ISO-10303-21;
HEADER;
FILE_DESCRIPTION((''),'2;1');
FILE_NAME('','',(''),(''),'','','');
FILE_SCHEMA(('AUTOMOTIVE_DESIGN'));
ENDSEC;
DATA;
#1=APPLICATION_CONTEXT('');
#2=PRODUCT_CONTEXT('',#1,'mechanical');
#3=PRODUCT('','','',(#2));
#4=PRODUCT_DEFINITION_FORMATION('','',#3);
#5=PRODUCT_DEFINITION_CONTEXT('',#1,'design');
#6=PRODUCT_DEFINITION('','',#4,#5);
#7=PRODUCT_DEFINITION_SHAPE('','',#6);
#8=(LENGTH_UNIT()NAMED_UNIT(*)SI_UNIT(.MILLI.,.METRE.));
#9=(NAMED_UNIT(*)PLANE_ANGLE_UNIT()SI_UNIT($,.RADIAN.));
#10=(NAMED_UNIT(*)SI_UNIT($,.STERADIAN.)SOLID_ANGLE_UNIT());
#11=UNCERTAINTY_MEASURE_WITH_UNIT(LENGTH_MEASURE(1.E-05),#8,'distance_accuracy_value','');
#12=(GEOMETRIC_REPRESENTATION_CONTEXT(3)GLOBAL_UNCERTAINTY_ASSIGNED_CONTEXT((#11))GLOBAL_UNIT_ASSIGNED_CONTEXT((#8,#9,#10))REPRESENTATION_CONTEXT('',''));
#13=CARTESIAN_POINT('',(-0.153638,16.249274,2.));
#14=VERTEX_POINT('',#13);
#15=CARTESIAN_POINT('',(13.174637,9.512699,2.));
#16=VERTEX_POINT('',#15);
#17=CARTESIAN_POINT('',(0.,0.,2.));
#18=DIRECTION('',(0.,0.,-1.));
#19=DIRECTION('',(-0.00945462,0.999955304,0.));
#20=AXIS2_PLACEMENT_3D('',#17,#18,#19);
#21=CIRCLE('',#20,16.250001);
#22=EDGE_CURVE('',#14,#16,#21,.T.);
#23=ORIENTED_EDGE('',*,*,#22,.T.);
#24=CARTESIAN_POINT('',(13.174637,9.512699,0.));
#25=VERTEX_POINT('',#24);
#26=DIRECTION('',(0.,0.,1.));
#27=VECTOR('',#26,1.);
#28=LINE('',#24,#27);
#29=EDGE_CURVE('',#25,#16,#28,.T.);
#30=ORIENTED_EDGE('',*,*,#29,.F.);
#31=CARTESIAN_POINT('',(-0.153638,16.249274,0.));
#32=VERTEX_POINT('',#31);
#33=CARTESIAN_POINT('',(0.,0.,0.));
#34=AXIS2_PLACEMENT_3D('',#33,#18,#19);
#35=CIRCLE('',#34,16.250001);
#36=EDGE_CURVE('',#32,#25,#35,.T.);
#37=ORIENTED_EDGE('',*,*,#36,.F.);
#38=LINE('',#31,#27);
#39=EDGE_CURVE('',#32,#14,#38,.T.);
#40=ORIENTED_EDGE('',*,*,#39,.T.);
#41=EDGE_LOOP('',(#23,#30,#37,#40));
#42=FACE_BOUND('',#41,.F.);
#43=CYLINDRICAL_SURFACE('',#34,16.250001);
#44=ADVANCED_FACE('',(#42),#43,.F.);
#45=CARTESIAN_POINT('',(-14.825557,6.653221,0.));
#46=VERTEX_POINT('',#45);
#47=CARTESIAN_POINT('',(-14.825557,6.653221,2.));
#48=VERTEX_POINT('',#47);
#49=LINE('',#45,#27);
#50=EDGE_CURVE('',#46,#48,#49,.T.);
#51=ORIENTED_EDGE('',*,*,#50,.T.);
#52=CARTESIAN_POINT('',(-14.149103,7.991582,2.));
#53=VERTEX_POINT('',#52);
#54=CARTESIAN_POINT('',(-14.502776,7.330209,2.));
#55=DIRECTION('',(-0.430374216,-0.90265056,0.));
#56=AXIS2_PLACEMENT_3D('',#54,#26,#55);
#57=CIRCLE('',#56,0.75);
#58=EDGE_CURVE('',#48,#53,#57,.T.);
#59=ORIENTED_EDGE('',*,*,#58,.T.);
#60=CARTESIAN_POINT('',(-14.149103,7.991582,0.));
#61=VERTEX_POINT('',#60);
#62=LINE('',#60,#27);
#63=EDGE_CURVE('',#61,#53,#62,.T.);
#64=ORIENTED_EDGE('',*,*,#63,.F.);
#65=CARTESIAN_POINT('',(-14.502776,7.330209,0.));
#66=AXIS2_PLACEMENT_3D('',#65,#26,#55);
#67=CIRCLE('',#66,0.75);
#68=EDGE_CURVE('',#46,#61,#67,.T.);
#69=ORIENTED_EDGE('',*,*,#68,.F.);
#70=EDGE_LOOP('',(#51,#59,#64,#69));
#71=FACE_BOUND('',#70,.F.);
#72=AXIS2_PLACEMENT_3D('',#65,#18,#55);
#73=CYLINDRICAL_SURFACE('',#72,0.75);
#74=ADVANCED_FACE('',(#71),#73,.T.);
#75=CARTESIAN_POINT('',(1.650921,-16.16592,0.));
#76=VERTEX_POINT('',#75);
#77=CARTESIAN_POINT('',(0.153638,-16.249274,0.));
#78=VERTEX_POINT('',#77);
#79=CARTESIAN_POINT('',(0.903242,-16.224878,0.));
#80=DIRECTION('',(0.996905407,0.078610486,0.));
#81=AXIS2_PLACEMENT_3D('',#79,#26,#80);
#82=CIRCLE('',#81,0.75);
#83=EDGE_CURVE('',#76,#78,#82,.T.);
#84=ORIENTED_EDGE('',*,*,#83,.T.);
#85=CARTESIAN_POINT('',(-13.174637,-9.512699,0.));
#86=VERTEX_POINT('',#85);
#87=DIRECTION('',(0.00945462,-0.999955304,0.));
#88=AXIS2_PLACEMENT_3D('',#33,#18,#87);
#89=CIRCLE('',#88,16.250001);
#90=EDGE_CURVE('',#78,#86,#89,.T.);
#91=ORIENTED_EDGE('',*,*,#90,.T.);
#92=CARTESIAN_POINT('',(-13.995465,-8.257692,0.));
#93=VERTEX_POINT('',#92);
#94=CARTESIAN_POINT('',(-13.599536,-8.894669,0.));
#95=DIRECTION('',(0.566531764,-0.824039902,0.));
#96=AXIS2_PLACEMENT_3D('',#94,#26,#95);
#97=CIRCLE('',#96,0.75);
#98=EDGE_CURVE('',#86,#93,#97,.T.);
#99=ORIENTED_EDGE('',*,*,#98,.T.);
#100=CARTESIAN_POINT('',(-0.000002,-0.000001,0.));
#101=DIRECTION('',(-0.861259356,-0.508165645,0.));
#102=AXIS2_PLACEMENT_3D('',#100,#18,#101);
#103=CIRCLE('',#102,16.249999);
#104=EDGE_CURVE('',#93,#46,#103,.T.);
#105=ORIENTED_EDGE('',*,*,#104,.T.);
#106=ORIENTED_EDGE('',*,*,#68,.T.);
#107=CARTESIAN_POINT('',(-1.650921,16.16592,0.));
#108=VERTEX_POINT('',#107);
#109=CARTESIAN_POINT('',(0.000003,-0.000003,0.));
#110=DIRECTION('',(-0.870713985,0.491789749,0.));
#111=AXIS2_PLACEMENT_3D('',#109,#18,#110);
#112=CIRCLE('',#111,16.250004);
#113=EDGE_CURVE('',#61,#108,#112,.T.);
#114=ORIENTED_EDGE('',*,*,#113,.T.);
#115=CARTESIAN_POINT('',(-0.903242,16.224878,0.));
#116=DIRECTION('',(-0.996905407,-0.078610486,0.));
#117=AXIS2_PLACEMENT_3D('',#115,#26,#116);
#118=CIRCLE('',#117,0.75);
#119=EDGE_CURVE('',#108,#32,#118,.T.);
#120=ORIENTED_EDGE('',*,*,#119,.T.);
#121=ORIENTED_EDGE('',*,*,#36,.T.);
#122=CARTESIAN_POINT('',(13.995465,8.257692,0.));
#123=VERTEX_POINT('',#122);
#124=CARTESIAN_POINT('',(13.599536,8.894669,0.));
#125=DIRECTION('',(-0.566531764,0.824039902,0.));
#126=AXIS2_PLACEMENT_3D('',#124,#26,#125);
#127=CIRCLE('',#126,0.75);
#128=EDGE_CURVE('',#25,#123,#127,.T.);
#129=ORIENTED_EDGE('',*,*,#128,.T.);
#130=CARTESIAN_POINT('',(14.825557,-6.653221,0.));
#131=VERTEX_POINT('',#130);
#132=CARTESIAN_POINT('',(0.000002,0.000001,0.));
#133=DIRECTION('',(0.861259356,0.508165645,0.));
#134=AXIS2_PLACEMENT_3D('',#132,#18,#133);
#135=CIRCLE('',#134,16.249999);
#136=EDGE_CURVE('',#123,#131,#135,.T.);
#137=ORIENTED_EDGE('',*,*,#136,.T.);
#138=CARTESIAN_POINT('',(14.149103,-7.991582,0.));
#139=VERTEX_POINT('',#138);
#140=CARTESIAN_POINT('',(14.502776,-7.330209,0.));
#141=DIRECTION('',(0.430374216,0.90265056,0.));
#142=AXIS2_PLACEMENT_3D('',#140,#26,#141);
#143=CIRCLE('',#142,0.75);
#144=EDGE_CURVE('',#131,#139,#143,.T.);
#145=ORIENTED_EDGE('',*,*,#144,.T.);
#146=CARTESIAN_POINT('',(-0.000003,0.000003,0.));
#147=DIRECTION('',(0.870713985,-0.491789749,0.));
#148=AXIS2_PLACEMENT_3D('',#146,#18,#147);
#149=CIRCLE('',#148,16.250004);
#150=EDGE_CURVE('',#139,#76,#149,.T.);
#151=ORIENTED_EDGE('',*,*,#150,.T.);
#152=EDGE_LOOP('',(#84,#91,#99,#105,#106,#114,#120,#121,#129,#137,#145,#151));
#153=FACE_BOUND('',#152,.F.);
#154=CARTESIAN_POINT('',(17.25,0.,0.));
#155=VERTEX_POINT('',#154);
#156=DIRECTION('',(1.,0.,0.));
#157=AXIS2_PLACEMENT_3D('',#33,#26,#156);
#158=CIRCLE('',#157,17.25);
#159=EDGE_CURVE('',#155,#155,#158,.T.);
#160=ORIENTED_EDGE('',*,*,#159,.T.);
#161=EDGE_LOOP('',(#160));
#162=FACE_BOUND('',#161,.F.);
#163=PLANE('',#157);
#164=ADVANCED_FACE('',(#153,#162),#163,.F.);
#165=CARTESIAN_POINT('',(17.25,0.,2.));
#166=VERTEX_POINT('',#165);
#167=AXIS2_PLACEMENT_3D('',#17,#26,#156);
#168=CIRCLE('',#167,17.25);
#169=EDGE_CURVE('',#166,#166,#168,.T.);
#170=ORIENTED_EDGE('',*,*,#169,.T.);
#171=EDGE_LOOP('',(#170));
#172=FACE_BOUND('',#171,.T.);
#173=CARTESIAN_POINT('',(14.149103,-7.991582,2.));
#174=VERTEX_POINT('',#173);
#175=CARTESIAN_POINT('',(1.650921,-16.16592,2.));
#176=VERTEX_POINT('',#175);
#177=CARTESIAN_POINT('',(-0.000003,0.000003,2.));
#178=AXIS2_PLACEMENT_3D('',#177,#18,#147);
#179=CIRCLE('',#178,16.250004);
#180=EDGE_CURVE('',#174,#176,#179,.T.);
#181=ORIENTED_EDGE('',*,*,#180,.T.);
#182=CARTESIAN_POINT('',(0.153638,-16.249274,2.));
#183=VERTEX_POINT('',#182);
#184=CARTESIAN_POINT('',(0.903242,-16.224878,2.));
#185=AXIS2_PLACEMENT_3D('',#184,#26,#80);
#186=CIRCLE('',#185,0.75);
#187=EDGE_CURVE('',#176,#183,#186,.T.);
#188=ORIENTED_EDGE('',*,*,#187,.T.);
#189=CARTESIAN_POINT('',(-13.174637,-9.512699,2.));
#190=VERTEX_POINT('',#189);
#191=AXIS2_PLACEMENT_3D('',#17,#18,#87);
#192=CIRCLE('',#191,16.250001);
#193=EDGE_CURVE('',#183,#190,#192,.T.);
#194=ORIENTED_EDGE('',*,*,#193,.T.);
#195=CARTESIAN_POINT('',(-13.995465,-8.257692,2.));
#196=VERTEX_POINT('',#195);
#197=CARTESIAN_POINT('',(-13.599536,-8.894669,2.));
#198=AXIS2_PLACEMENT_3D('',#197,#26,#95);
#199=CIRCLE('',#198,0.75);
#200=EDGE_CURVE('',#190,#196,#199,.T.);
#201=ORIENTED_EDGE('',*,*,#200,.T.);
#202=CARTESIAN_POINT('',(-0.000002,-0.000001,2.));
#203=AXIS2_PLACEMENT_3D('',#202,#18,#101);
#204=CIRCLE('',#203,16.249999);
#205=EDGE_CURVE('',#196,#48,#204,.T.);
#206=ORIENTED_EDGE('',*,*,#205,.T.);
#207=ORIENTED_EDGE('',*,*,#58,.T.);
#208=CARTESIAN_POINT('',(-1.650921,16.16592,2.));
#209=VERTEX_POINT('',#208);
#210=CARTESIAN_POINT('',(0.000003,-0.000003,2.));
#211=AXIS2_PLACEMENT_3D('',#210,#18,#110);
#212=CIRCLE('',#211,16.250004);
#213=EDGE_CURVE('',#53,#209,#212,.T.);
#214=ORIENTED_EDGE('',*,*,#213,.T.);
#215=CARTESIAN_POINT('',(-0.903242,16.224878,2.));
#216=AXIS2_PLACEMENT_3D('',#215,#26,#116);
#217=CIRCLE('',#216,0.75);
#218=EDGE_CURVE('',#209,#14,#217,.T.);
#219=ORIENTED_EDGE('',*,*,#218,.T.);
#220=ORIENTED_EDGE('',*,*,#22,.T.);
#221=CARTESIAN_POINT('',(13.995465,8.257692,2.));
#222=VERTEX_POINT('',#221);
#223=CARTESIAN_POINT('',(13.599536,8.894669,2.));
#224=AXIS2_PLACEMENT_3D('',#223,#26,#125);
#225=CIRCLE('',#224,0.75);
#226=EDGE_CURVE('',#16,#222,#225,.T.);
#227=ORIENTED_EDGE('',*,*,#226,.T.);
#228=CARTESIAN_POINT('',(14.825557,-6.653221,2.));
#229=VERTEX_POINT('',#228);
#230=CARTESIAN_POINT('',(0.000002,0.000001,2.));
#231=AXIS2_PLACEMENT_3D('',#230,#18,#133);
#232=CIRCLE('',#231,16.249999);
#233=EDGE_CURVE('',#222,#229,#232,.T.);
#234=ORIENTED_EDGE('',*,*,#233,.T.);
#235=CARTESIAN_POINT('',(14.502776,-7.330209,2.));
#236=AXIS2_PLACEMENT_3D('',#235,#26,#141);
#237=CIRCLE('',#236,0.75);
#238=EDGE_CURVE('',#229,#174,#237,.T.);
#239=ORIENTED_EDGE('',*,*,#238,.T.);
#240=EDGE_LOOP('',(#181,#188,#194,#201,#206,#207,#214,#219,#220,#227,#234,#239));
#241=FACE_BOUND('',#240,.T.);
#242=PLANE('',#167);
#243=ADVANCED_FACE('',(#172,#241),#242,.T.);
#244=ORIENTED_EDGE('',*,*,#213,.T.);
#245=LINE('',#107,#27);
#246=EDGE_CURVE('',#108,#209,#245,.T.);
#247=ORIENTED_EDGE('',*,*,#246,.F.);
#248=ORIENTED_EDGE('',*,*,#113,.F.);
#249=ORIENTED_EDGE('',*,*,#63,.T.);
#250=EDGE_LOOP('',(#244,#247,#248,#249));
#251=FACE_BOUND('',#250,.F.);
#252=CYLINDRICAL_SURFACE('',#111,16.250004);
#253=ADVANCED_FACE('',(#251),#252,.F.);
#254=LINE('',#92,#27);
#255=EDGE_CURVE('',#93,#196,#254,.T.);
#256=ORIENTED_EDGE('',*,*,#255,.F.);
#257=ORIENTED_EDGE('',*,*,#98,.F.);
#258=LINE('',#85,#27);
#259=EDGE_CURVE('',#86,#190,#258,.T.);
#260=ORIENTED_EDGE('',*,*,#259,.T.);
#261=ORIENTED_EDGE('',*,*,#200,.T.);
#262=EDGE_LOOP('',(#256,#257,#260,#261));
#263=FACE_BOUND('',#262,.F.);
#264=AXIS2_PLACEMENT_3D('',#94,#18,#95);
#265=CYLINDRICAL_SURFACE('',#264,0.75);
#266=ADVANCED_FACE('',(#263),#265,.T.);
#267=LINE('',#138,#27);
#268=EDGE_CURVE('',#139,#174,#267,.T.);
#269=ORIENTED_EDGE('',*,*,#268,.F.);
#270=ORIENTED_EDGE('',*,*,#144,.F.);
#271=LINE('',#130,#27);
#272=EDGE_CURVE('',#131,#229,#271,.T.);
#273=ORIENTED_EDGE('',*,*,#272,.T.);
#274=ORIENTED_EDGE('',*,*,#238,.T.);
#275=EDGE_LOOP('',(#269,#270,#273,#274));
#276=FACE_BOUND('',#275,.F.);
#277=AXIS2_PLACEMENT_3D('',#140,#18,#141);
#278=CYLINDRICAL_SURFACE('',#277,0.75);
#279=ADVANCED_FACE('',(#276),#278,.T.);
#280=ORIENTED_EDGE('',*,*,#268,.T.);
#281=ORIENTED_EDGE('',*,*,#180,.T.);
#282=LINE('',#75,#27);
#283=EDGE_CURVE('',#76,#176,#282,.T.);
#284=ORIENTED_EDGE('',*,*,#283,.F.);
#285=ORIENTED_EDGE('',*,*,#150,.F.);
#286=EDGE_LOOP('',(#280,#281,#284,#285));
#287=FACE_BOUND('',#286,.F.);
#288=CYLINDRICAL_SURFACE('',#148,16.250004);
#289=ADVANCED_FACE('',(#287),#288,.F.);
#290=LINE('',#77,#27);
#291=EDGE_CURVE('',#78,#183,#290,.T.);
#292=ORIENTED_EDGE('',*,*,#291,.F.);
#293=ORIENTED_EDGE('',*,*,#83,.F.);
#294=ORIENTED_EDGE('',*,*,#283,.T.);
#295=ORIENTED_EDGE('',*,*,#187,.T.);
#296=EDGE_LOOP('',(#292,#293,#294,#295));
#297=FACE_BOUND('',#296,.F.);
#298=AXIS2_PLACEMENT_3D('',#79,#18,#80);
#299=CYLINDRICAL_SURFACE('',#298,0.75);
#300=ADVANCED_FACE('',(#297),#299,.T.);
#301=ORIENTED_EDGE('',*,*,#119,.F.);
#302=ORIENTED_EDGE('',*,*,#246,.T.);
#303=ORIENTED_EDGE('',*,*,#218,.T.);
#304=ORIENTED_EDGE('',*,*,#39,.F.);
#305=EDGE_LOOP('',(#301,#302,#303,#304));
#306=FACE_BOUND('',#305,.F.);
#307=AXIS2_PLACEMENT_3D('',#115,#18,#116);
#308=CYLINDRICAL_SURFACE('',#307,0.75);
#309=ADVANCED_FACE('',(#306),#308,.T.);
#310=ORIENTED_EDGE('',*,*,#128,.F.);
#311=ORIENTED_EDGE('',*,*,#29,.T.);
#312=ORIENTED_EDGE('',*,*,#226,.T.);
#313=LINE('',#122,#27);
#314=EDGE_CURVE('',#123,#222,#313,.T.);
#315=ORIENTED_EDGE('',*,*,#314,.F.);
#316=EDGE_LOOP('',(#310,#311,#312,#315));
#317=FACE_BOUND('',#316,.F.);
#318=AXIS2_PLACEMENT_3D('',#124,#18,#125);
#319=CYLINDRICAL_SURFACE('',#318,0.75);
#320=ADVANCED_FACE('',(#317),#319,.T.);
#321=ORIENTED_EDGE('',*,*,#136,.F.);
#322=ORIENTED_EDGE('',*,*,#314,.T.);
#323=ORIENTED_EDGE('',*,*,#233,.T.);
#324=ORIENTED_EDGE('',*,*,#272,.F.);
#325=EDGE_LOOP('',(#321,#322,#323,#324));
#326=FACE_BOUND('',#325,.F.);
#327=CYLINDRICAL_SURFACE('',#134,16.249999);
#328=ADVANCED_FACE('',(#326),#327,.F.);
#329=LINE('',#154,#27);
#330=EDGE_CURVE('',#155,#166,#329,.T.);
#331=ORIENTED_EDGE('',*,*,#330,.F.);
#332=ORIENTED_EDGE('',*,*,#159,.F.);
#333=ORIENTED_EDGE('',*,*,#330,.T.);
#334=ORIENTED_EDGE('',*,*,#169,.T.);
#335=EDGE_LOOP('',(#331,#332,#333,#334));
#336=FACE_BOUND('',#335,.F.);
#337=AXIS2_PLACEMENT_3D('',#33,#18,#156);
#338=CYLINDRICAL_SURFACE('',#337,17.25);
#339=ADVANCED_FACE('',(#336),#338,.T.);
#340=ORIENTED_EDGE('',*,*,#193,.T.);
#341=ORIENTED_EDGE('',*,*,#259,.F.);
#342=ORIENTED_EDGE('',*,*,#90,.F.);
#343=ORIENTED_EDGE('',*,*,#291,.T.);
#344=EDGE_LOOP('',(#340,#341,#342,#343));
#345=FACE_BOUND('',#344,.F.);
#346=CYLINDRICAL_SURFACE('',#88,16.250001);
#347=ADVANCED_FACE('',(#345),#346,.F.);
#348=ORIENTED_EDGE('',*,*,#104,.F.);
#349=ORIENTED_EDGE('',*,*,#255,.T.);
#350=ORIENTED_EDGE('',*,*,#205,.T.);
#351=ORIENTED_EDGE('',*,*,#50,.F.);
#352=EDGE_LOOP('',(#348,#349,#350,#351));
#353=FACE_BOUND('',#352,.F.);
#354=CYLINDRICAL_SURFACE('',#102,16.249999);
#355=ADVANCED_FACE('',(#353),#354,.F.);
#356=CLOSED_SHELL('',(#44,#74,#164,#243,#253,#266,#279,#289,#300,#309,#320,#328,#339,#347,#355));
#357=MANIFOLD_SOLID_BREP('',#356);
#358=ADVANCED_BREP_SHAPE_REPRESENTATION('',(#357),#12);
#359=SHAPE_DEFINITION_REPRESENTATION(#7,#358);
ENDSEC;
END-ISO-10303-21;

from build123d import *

# Parameters (mm, degrees)
F0_R     = 17.25
F1_DEPTH = 2


with BuildPart() as f1:
    # F0 (on Top) → F1 (new body)
    with BuildSketch(Plane.XY):
        Circle(F0_R)
        with BuildLine():
            ThreePointArc((-14.149103, 7.991582), (-8.894669, 13.599535), (-1.650921, 16.16592))
            ThreePointArc((-1.650921, 16.16592), (-0.861553, 15.476037), (-0.153638, 16.249274))
            ThreePointArc((-0.153638, 16.249274), (7.330209, 14.502777), (13.174637, 9.512699))
            ThreePointArc((13.174637, 9.512699), (12.971865, 8.484146), (13.995465, 8.257692))
            ThreePointArc((13.995465, 8.257692), (16.224878, 0.903241), (14.825557, -6.653221))
            ThreePointArc((14.825557, -6.653221), (13.833418, -6.991891), (14.149103, -7.991582))
            ThreePointArc((14.149103, -7.991582), (8.894669, -13.599535), (1.650921, -16.16592))
            ThreePointArc((1.650921, -16.16592), (0.861553, -15.476037), (0.153638, -16.249274))
            ThreePointArc((0.153638, -16.249274), (-7.330209, -14.502777), (-13.174637, -9.512699))
            ThreePointArc((-13.174637, -9.512699), (-12.971865, -8.484146), (-13.995465, -8.257692))
            ThreePointArc((-13.995465, -8.257692), (-16.224878, -0.903241), (-14.825557, 6.653221))
            ThreePointArc((-14.825557, 6.653221), (-13.833418, 6.991891), (-14.149103, 7.991582))
        make_face(mode=Mode.SUBTRACT)
    extrude(amount=F1_DEPTH)


solid = f1.part
